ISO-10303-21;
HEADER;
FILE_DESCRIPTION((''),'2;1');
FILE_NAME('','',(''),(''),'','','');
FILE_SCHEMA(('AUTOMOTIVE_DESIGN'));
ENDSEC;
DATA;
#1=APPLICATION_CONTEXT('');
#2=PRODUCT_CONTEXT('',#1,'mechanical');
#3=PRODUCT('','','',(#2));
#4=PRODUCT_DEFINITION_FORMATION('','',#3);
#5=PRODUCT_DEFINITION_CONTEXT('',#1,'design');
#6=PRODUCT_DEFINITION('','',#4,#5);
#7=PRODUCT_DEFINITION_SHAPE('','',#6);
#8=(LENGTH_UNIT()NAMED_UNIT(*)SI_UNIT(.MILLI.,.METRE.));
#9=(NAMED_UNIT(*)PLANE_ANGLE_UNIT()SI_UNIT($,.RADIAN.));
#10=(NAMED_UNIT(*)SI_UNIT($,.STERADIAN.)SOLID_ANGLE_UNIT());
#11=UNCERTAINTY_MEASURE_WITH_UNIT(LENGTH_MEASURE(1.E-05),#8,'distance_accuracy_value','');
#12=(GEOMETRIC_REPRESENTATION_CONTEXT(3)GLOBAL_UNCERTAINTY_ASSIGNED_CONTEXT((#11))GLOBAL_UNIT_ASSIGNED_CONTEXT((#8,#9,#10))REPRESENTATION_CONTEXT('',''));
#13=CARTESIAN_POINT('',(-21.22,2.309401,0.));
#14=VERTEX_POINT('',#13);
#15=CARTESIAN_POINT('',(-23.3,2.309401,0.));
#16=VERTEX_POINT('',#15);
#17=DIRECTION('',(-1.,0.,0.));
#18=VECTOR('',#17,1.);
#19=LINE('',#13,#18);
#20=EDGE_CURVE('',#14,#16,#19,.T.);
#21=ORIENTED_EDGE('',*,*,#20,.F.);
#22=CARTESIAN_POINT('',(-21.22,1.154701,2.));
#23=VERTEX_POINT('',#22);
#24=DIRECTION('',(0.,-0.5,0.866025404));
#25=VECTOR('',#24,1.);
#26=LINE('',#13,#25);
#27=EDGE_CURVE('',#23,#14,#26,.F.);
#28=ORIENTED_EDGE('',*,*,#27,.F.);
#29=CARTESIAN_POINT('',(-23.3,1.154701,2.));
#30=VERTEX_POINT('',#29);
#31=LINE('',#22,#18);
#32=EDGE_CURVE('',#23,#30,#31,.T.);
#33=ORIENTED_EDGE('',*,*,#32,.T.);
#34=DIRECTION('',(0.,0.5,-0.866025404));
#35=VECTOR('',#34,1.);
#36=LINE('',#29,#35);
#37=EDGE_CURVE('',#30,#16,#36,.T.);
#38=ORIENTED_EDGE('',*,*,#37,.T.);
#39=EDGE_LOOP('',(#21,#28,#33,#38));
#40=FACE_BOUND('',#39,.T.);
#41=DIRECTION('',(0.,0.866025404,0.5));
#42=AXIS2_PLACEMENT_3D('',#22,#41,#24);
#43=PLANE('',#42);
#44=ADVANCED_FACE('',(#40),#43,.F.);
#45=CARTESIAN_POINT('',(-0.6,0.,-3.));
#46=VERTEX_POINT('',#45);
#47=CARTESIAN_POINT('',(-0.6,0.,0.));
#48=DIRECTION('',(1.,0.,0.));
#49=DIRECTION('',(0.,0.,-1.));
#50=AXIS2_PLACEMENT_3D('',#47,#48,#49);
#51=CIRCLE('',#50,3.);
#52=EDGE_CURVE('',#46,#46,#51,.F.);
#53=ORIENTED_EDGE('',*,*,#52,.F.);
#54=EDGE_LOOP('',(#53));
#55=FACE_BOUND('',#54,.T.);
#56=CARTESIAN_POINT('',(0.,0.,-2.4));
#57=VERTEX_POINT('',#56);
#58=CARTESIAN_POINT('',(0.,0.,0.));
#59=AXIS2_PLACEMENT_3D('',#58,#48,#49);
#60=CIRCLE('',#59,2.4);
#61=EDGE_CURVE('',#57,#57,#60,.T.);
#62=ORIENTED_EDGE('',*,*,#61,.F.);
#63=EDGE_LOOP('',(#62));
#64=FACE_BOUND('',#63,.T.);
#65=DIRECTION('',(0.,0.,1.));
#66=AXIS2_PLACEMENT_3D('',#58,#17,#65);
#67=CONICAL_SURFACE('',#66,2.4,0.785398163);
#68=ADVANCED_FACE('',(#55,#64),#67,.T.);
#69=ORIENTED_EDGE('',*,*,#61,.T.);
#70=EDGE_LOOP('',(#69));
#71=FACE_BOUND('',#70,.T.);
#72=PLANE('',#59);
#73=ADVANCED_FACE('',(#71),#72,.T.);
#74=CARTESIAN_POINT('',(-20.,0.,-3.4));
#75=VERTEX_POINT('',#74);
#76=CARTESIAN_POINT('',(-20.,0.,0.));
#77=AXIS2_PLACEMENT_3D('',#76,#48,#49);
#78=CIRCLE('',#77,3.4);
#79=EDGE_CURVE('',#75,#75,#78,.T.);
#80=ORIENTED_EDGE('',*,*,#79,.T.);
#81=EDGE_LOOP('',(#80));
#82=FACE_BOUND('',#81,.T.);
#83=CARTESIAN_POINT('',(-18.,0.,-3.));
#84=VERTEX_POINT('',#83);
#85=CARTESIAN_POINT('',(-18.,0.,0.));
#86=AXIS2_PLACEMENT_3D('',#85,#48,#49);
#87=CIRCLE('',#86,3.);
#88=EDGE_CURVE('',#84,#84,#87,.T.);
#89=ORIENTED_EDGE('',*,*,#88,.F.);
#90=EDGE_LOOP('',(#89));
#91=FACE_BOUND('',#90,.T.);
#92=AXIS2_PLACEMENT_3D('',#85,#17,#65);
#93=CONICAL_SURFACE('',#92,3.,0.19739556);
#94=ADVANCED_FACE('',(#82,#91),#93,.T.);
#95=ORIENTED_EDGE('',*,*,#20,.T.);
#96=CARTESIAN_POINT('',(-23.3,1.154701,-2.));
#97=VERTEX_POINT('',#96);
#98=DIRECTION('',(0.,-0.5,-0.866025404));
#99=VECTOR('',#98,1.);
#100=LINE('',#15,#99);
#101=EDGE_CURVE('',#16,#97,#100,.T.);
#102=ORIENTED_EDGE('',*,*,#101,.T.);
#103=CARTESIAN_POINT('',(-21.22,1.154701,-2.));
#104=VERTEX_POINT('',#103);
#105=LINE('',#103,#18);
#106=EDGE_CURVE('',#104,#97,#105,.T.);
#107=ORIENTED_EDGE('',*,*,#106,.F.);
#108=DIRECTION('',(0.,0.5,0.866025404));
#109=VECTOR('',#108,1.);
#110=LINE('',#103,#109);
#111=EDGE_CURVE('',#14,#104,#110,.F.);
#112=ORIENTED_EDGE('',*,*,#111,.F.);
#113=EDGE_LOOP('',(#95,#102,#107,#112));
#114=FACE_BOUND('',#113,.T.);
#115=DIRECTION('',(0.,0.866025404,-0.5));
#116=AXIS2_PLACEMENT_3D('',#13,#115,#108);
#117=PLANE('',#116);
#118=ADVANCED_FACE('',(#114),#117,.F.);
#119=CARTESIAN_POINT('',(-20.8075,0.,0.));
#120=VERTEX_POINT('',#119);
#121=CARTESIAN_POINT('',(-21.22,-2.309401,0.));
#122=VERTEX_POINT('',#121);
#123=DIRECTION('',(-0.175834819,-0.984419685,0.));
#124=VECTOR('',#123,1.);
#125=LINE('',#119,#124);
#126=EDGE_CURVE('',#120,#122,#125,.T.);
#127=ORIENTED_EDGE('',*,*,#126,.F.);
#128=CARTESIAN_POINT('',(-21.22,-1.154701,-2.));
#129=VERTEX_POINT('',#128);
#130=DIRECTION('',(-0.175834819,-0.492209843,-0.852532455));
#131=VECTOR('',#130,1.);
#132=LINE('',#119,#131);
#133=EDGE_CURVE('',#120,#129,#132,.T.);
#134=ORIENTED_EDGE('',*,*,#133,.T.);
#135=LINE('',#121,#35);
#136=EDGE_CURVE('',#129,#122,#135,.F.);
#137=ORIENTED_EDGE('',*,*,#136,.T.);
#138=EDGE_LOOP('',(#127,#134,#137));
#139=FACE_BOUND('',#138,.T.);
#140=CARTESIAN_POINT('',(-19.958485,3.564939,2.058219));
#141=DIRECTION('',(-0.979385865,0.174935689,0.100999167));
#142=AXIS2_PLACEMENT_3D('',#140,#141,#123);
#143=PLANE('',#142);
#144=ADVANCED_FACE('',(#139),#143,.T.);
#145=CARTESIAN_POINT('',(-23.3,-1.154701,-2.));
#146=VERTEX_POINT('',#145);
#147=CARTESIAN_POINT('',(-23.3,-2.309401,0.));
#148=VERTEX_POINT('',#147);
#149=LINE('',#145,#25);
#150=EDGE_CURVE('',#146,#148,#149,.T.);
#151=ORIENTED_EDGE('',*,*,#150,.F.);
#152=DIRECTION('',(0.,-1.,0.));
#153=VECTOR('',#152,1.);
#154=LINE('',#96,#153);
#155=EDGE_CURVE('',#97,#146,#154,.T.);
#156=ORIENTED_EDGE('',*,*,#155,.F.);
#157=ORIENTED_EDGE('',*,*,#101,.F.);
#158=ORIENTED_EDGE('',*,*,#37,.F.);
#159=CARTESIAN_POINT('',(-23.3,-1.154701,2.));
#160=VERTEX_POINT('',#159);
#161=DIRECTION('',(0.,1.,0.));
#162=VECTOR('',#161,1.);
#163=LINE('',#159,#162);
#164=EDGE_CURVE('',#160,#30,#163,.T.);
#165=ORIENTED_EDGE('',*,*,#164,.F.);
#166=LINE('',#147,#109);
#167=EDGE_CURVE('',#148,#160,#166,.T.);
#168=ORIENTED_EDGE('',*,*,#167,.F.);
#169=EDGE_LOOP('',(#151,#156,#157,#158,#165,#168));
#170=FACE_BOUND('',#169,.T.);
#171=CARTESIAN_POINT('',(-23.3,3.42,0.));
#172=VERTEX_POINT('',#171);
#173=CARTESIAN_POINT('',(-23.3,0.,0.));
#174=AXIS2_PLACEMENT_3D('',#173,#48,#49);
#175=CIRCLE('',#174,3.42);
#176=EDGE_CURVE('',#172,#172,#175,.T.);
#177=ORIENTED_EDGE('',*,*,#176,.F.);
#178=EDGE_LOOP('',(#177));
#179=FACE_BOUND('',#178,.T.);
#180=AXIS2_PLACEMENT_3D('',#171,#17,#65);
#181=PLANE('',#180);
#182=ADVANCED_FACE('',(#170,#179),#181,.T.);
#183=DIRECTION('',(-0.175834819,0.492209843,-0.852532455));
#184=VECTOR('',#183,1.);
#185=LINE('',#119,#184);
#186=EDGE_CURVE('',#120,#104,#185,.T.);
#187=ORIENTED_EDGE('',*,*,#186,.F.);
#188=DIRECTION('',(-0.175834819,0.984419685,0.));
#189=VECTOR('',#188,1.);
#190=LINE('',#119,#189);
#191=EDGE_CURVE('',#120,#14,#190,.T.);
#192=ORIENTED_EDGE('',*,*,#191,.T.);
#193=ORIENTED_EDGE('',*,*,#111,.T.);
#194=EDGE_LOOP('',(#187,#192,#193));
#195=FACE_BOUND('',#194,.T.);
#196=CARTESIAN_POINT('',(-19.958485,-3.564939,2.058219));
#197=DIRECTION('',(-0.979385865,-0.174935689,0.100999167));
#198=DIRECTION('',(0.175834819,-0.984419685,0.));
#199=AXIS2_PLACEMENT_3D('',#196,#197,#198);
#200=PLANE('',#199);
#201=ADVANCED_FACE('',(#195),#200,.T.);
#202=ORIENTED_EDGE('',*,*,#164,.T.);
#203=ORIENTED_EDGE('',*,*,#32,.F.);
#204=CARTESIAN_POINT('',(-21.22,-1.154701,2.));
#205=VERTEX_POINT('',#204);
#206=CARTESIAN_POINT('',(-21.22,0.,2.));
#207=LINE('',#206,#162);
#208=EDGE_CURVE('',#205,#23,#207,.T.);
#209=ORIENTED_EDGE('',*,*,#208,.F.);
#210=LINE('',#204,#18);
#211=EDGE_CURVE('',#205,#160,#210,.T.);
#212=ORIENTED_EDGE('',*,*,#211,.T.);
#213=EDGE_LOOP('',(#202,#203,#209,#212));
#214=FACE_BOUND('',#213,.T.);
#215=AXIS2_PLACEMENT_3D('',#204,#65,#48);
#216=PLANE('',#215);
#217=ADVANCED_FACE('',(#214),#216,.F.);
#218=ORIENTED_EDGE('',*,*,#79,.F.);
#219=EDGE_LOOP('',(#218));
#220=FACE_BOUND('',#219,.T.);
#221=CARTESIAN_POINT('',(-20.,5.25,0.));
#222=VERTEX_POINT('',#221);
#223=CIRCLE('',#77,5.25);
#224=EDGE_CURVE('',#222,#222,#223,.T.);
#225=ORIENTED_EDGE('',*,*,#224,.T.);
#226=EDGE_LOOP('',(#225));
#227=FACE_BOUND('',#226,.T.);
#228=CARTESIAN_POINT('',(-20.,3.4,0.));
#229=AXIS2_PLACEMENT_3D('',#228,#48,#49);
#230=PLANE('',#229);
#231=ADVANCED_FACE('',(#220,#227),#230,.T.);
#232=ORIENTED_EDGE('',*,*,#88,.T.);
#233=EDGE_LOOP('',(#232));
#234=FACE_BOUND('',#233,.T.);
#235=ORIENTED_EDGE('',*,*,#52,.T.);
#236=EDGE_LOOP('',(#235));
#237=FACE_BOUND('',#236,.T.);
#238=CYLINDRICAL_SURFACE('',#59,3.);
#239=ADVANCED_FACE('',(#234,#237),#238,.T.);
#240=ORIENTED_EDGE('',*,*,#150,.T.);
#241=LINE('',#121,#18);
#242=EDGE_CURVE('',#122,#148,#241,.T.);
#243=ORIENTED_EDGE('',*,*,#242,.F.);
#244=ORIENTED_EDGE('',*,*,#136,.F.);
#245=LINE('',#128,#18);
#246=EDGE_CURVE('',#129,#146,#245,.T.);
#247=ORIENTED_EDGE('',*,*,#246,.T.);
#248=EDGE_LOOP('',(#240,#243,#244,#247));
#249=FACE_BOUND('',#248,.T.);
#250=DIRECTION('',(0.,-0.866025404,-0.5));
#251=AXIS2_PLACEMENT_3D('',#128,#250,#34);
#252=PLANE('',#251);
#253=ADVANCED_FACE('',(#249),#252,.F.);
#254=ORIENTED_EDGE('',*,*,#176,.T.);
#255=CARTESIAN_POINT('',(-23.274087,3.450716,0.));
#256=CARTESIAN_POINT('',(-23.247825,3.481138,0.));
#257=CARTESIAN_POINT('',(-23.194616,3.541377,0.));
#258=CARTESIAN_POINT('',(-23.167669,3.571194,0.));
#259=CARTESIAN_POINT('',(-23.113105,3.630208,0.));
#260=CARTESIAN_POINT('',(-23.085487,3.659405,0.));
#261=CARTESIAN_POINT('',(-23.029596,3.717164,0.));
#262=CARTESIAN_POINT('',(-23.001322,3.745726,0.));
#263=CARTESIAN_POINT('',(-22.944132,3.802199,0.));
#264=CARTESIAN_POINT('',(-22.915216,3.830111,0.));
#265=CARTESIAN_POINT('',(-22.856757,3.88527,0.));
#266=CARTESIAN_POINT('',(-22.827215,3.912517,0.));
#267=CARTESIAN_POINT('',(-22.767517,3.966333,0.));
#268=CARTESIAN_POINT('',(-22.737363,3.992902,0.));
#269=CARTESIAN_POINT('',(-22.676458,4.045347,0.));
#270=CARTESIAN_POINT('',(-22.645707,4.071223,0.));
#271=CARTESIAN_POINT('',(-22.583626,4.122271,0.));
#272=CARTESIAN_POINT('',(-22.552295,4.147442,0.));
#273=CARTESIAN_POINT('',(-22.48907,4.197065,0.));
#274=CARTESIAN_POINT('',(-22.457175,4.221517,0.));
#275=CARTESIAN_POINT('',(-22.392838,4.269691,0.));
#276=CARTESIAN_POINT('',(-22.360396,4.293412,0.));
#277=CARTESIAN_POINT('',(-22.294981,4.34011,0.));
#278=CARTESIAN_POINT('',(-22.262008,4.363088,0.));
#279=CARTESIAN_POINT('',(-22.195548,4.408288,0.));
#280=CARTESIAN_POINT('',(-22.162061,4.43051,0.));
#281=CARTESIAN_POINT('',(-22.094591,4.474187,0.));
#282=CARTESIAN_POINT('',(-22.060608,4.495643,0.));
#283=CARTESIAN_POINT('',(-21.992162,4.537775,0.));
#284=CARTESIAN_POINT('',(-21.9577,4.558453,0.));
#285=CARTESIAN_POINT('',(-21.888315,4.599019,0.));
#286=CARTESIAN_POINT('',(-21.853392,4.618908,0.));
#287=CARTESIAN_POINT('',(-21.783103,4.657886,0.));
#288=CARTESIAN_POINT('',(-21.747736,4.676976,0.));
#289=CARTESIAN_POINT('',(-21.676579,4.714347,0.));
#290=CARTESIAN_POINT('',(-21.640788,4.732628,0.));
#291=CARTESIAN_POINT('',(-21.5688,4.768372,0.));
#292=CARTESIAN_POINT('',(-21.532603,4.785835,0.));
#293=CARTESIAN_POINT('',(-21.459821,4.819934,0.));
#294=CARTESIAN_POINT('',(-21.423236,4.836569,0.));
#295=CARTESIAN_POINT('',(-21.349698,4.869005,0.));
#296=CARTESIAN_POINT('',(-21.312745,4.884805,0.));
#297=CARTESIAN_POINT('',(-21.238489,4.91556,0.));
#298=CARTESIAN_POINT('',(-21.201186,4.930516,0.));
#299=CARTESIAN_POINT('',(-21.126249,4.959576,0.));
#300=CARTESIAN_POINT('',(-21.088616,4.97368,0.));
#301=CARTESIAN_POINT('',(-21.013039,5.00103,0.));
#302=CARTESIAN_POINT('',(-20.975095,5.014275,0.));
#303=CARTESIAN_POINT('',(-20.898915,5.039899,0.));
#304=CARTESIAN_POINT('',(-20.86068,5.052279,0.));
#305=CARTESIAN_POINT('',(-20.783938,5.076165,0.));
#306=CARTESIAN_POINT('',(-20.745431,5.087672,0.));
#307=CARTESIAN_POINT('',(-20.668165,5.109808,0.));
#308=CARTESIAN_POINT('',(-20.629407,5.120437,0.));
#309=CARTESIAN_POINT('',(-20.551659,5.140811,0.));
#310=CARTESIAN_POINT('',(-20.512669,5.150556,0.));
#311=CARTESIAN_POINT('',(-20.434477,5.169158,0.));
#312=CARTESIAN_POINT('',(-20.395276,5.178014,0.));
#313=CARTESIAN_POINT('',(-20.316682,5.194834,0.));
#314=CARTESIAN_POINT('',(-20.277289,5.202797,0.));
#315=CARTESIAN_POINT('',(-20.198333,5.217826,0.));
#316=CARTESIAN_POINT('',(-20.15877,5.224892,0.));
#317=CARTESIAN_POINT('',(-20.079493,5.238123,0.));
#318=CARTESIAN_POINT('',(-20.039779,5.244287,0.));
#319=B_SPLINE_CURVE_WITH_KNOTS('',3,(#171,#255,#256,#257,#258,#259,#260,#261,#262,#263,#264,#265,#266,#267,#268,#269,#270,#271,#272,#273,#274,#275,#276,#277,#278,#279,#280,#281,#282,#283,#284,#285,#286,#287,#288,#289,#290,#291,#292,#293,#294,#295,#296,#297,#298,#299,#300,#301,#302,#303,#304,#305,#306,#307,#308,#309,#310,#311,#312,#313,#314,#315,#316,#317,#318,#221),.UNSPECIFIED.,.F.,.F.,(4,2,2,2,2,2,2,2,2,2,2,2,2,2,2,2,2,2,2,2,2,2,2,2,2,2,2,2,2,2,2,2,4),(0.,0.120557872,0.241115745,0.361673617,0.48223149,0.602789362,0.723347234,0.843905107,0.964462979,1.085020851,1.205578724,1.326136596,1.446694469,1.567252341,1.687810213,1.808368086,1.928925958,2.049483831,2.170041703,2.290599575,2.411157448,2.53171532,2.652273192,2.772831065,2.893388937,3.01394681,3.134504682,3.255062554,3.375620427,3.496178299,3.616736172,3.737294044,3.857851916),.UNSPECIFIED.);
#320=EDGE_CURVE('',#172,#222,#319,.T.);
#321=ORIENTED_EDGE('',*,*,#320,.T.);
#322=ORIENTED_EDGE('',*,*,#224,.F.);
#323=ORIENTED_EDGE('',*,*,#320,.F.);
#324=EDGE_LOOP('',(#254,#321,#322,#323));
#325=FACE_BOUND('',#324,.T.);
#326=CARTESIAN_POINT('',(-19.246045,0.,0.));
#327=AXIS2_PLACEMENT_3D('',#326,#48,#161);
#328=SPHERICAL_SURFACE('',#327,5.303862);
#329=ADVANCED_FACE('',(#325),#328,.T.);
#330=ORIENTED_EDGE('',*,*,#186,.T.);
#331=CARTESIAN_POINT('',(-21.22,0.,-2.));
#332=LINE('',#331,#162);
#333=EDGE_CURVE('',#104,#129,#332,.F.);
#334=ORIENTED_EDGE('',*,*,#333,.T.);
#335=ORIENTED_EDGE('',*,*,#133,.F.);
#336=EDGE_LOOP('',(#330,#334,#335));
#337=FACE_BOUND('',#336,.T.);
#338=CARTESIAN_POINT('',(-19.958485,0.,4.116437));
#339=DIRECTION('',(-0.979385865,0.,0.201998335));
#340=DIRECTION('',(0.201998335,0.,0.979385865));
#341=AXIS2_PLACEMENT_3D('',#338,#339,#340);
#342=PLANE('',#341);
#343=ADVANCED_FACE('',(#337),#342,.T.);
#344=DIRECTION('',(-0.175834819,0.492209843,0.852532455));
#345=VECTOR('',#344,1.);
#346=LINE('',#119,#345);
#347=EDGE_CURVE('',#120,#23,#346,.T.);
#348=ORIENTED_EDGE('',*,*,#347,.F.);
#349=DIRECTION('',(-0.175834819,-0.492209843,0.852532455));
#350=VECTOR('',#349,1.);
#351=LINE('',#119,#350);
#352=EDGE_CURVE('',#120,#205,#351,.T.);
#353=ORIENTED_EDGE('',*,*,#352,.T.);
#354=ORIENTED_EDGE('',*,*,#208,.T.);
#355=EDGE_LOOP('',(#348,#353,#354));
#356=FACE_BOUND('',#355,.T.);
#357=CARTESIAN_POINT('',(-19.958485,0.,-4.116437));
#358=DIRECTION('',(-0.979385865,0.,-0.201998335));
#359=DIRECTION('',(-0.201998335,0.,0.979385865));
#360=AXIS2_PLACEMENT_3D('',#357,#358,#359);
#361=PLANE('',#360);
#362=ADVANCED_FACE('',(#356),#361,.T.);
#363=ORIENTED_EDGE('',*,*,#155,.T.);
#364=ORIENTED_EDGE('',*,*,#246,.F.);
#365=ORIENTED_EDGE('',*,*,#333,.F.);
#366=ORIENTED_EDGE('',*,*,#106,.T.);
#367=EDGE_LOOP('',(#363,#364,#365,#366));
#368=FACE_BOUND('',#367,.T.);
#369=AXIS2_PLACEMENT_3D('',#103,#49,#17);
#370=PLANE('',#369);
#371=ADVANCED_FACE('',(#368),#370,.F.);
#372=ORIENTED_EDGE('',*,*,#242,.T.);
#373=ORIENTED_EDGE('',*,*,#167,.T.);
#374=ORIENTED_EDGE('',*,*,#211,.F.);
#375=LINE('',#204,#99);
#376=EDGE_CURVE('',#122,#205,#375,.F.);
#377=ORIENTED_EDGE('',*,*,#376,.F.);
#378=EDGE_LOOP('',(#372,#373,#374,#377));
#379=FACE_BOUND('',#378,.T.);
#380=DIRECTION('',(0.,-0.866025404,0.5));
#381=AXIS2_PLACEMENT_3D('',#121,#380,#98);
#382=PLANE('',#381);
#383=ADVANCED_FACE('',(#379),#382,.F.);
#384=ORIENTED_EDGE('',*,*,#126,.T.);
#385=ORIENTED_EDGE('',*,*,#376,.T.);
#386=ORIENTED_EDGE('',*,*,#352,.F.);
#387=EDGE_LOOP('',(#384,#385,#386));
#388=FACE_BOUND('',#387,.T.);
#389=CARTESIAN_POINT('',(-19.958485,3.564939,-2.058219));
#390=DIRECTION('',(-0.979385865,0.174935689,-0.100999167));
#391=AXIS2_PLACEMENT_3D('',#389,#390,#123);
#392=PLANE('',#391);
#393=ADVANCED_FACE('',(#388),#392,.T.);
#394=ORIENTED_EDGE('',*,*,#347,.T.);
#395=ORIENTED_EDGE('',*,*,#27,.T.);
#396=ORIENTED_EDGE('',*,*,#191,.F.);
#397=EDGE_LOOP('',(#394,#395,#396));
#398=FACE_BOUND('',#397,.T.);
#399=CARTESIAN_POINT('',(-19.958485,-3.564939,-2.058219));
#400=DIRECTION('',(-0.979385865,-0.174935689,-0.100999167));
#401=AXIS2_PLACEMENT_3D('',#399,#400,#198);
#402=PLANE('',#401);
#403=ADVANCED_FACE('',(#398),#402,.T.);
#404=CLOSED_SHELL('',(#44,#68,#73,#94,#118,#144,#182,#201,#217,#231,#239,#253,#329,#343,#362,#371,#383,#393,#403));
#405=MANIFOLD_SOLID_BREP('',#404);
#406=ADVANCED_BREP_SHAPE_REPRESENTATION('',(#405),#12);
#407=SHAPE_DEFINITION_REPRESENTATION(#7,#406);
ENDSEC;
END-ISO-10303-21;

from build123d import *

# Parameters (mm, degrees)
CUT_EXTRUDE_1_DEPTH = 2.08
CHAMFER_1_SIZE      = 0.6


with BuildPart() as part:
    # 草图1 → 旋转1 (revolve)
    with BuildSketch(Plane.XY, mode=Mode.PRIVATE) as revolve_1_sk:
        with BuildLine():
            Line((0, 0), (0, 3))
            Line((0, 3), (-18, 3))
            Line((-18, 3), (-20, 3.4))
            Line((-20, 3.4), (-20, 5.25))
            ThreePointArc((-20, 5.25), (-21.818247324, 4.638396814), (-23.3, 3.42))
            Line((-23.3, 3.42), (-23.3, 0))
            Line((-23.3, 0), (0, 0))
        make_face()
    revolve(revolve_1_sk.sketch.rotate(Axis((0, 0, 0), (-1, 0, 0)), 90), axis=Axis((0, 0, 0), (-1, 0, 0)))

    # 草图4 → 切除-拉伸1 (cut)
    with BuildSketch(Plane.ZY.offset(23.3)):
        Polygon((0, 2.309401077), (-2, 1.154700538), (-2, -1.154700538), (0, -2.309401077), (2, -1.154700538), (2, 1.154700538), align=None)
    extrude(amount=-CUT_EXTRUDE_1_DEPTH, mode=Mode.SUBTRACT)

    # 倒角1
    chamfer_1_edges = [part.edges().sort_by_distance(p)[0] for p in [
        (0, 0, 3),
    ]]
    chamfer(chamfer_1_edges, length=CHAMFER_1_SIZE)

    # 草图6 → 切除-放样1 section 0
    with BuildSketch(Plane.ZY.offset(21.22), mode=Mode.PRIVATE) as loft_1_s0:
        with BuildLine():
            Line((0, 2.309401077), (-2, 1.154700538))
            Line((-2, 1.154700538), (-2, -1.154700538))
            Line((-2, -1.154700538), (0, -2.309401077))
            Line((0, -2.309401077), (2, -1.154700538))
            Line((2, -1.154700538), (2, 1.154700538))
            Line((2, 1.154700538), (0, 2.309401077))
        make_face()
    loft([Vertex(-20.8075, 0, 0), loft_1_s0.sketch], mode=Mode.SUBTRACT)


solid = part.part
